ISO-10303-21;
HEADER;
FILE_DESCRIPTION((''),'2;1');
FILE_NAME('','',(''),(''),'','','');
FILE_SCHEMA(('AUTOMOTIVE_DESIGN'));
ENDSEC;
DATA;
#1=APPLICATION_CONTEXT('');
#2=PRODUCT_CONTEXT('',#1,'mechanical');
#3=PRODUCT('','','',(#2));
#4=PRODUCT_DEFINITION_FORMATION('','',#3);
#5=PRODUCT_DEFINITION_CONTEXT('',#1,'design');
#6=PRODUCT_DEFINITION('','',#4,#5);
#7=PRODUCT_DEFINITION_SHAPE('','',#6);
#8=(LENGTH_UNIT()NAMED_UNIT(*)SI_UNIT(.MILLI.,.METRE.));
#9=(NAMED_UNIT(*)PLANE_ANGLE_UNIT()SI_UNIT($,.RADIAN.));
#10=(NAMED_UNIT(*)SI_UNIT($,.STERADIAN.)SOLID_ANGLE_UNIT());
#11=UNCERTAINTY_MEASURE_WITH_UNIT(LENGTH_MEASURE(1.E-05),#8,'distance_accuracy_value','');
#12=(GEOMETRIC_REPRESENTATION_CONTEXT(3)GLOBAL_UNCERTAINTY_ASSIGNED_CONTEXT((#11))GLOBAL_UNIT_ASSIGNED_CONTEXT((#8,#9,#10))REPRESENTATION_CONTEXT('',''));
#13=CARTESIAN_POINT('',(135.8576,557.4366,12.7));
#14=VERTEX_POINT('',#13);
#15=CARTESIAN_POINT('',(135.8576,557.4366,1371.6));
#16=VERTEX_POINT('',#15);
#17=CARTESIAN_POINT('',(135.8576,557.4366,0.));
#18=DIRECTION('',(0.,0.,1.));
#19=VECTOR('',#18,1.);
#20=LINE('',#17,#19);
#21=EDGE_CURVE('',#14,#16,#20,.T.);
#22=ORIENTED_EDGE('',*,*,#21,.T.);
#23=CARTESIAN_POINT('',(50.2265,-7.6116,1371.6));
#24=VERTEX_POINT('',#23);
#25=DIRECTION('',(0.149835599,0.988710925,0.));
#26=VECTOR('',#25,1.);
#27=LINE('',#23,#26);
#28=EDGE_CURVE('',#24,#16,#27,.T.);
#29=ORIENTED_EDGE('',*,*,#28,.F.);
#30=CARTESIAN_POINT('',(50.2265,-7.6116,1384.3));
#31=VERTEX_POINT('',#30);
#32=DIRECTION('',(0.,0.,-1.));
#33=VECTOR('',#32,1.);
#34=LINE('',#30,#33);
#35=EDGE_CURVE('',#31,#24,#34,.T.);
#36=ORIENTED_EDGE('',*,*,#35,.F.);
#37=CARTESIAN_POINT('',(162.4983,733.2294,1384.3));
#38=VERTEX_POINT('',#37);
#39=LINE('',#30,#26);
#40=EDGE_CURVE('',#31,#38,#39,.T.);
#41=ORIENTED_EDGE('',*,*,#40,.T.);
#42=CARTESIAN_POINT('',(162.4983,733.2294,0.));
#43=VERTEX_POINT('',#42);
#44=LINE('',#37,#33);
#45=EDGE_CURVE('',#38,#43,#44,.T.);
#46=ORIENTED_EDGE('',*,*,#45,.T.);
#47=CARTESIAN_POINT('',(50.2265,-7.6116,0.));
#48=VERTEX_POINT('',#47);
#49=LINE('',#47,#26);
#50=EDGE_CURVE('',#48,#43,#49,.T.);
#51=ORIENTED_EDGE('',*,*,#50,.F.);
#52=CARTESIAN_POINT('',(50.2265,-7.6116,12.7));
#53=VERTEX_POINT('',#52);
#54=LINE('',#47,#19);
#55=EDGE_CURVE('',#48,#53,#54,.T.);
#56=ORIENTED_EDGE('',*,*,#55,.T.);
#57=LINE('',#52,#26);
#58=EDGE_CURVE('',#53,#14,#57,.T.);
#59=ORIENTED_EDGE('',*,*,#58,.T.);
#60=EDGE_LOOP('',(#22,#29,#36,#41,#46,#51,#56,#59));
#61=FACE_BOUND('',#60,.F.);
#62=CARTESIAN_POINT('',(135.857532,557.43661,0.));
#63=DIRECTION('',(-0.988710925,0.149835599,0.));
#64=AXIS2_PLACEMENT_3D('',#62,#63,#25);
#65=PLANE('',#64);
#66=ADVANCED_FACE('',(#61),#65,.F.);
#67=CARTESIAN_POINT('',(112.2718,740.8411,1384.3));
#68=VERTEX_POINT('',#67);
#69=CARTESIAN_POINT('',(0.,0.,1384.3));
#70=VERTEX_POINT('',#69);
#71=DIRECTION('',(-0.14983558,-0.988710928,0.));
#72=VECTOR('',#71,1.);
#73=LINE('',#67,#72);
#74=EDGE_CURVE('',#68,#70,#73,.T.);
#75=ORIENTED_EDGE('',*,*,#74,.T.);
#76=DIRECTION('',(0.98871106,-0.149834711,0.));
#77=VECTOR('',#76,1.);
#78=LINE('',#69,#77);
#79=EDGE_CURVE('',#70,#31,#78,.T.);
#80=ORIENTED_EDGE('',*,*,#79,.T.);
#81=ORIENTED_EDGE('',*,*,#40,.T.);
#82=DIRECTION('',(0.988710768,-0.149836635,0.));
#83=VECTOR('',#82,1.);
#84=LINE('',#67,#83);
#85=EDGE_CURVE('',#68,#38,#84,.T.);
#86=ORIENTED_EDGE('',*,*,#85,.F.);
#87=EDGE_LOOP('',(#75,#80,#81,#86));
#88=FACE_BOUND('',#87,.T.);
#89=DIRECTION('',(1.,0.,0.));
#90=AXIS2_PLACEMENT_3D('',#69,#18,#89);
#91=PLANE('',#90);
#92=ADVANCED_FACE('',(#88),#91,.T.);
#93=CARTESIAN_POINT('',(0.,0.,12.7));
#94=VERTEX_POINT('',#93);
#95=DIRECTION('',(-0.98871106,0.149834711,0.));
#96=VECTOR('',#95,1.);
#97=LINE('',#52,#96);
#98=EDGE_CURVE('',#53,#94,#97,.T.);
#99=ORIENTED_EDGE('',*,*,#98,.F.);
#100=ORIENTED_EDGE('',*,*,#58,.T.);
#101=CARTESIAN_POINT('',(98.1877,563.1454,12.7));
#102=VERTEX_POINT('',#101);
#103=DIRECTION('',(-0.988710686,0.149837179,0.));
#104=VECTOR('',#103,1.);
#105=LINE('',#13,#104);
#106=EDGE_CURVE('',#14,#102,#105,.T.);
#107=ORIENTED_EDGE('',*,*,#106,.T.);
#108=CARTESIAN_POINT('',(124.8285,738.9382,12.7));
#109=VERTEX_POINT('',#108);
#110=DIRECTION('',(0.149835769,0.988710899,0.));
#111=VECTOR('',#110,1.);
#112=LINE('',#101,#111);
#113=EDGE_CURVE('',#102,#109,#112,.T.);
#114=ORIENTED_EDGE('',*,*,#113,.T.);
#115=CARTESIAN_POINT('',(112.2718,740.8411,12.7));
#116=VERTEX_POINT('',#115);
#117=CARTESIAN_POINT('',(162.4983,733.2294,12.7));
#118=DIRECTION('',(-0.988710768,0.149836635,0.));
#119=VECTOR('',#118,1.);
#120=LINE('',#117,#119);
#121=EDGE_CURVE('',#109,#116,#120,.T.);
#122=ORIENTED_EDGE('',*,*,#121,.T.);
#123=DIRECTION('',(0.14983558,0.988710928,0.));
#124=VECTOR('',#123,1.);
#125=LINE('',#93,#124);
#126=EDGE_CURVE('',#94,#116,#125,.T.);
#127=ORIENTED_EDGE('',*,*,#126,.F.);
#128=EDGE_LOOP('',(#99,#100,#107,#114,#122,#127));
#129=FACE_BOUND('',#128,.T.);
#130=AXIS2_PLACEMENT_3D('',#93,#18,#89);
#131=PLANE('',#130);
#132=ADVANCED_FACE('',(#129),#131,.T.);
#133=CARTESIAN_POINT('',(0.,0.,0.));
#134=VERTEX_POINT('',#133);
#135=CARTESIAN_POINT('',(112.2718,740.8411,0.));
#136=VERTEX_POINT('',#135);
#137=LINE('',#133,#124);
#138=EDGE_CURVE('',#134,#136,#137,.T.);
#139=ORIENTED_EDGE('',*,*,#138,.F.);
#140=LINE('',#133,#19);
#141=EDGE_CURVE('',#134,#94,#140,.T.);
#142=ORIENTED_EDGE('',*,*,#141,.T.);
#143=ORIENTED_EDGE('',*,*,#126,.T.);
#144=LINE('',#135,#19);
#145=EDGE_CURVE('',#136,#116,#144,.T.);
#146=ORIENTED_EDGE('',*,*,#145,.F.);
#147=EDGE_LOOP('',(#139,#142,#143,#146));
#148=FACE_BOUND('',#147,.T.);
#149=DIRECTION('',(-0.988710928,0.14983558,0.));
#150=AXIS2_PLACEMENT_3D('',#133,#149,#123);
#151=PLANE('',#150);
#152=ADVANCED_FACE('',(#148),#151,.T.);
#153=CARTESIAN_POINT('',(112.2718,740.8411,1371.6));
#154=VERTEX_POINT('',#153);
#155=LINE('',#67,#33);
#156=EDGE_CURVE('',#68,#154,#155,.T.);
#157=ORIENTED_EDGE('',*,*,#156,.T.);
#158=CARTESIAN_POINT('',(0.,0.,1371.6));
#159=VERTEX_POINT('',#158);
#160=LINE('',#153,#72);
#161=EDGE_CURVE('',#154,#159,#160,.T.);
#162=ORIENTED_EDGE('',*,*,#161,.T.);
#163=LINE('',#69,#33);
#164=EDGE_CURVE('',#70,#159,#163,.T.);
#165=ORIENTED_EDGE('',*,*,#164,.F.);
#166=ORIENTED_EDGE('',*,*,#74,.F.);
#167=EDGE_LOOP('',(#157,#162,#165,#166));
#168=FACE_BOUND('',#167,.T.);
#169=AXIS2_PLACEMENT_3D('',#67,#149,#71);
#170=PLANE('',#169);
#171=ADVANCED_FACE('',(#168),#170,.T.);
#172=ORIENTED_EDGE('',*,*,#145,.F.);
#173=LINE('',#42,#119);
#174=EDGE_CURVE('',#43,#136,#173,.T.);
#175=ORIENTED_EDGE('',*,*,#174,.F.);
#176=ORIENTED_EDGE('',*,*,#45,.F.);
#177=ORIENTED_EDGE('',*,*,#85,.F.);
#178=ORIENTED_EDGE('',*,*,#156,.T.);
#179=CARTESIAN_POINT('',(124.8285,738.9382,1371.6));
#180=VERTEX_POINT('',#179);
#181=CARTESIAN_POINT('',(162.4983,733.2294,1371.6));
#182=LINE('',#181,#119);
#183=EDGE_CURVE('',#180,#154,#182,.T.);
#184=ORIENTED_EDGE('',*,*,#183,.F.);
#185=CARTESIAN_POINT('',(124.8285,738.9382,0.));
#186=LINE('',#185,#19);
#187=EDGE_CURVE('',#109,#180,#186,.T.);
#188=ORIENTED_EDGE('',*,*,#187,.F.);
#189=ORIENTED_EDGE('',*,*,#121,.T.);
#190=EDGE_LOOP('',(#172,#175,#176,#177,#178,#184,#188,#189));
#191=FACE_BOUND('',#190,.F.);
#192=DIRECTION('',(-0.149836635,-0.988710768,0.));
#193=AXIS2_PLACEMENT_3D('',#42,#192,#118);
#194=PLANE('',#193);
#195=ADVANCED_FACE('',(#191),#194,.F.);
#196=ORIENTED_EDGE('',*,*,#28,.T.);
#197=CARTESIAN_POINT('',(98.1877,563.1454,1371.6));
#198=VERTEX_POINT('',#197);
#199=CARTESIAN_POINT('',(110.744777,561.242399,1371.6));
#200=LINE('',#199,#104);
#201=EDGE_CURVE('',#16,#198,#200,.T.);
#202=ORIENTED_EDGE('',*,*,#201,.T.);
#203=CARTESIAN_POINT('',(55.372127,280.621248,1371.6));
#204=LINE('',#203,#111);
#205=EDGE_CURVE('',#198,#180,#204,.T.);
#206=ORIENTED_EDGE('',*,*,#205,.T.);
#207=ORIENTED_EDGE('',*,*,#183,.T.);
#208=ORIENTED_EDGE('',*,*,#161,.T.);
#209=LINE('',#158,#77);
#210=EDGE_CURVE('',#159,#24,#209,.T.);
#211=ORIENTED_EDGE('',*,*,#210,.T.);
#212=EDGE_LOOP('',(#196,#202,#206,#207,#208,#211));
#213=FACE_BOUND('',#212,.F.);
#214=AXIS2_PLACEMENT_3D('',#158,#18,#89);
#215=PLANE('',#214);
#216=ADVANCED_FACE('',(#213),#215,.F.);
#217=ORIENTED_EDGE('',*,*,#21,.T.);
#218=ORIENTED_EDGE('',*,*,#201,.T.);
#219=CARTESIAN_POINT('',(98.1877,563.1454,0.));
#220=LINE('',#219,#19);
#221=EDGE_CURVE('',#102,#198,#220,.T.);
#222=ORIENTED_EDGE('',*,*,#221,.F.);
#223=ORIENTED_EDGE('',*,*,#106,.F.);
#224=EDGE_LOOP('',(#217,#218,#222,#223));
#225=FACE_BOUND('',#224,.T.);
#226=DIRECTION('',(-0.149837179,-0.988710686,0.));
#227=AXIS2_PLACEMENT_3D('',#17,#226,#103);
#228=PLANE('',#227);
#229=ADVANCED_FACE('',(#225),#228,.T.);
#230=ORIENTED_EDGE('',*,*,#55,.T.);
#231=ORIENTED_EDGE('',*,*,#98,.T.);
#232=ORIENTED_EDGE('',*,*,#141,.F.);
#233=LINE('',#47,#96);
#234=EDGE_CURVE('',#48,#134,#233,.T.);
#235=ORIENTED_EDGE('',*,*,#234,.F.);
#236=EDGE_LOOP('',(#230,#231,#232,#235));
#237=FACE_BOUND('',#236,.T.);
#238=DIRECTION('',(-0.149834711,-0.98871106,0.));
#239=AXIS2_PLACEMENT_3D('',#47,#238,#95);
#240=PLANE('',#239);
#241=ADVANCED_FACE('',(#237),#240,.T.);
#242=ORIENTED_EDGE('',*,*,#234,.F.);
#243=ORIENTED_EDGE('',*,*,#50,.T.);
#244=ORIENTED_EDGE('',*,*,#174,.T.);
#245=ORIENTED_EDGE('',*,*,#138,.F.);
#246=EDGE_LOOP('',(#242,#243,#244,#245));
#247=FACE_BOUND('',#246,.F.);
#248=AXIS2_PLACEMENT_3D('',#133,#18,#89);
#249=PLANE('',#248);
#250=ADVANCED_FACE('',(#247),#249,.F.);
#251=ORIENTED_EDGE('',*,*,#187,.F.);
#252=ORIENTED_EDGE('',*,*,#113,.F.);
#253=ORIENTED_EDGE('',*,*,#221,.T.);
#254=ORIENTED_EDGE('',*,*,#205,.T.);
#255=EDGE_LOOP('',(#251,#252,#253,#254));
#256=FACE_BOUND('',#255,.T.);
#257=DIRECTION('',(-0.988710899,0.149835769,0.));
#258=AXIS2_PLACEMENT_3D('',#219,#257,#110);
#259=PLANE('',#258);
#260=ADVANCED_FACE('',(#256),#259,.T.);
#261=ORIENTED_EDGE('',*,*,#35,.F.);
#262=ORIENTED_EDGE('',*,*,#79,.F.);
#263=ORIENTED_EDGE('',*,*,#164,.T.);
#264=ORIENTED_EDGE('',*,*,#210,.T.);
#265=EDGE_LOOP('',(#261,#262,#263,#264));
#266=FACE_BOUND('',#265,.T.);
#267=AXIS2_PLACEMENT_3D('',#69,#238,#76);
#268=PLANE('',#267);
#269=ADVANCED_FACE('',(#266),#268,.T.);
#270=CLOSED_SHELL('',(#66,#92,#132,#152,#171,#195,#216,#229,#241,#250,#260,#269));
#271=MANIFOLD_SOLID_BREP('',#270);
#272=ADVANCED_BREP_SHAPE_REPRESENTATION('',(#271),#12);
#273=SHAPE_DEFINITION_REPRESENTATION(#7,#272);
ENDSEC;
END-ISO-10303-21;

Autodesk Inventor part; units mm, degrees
ref_plane "YZ Plane" through (0, 0, 0) normal (1, 0, 0) x (0, 1, 0)
ref_plane "XZ Plane" through (0, 0, 0) normal (0, 1, 0) x (-1, 0, 0)
ref_plane "XY Plane" through (0, 0, 0) normal (0, 0, 1) x (1, 0, 0)
sketch "Sketch1" plane through (0, 0, 0) normal (0, 0, 1) x (1, 0, 0)
  line L0 (0, 0) -> (112.2718, 740.8411)
  line L1 (50.2265, -7.6116) -> (162.4983, 733.2294)
  line L2 (162.4983, 733.2294) -> (112.2718, 740.8411)
  line L3 (50.2265, -7.6116) -> (0, 0)
  line L4 (162.4983, 733.2294) -> (135.8576, 557.4366)
  line L5 (135.8576, 557.4366) -> (98.1877, 563.1454)
  line L6 (98.1877, 563.1454) -> (124.8285, 738.9382)
  line L7 (124.8285, 738.9382) -> (162.4983, 733.2294)
  dimension "d0" = 749.3
  dimension "d2" = 50.8
  dimension "d3" = 177.8
  dimension "d4" = 38.1
extrude "Extrusion1" add sketch "Sketch1" along normal blind 1384.3 contours L2 L1 L5 L6
extrude "Extrusion2" add sketch "Sketch1" along normal blind 12.7 contours L0 L2 L6 L5 L1 L3
sketch "Sketch2" plane through (0, 0, 1384.3) normal (0, 0, 1) x (1, 0, 0)
  line L0 (162.4983, 733.2294) -> (124.8285, 738.9382) projected
  line L1 (162.4983, 733.2294) -> (112.2718, 740.8411)
  line L2 (0, 0) -> (50.2265, -7.6116) projected
  line L3 (112.2718, 740.8411) -> (0, 0)
  line L4 (50.2265, -7.6116) -> (162.4983, 733.2294) projected
  line L5 (0, 0) -> (50.2265, -7.6116)
  line L6 (50.2265, -7.6116) -> (162.4983, 733.2294)
  line L7 (135.8576, 557.4366) -> (162.4983, 733.2294) projected
  line L8 (112.2718, 740.8411) -> (162.4983, 733.2294)
  line L9 (162.4983, 733.2294) -> (50.2265, -7.6116)
  dimension "d9" = 50.8
extrude "Extrusion3" add sketch "Sketch2" against normal blind 12.7
properties part number "BackRest"
